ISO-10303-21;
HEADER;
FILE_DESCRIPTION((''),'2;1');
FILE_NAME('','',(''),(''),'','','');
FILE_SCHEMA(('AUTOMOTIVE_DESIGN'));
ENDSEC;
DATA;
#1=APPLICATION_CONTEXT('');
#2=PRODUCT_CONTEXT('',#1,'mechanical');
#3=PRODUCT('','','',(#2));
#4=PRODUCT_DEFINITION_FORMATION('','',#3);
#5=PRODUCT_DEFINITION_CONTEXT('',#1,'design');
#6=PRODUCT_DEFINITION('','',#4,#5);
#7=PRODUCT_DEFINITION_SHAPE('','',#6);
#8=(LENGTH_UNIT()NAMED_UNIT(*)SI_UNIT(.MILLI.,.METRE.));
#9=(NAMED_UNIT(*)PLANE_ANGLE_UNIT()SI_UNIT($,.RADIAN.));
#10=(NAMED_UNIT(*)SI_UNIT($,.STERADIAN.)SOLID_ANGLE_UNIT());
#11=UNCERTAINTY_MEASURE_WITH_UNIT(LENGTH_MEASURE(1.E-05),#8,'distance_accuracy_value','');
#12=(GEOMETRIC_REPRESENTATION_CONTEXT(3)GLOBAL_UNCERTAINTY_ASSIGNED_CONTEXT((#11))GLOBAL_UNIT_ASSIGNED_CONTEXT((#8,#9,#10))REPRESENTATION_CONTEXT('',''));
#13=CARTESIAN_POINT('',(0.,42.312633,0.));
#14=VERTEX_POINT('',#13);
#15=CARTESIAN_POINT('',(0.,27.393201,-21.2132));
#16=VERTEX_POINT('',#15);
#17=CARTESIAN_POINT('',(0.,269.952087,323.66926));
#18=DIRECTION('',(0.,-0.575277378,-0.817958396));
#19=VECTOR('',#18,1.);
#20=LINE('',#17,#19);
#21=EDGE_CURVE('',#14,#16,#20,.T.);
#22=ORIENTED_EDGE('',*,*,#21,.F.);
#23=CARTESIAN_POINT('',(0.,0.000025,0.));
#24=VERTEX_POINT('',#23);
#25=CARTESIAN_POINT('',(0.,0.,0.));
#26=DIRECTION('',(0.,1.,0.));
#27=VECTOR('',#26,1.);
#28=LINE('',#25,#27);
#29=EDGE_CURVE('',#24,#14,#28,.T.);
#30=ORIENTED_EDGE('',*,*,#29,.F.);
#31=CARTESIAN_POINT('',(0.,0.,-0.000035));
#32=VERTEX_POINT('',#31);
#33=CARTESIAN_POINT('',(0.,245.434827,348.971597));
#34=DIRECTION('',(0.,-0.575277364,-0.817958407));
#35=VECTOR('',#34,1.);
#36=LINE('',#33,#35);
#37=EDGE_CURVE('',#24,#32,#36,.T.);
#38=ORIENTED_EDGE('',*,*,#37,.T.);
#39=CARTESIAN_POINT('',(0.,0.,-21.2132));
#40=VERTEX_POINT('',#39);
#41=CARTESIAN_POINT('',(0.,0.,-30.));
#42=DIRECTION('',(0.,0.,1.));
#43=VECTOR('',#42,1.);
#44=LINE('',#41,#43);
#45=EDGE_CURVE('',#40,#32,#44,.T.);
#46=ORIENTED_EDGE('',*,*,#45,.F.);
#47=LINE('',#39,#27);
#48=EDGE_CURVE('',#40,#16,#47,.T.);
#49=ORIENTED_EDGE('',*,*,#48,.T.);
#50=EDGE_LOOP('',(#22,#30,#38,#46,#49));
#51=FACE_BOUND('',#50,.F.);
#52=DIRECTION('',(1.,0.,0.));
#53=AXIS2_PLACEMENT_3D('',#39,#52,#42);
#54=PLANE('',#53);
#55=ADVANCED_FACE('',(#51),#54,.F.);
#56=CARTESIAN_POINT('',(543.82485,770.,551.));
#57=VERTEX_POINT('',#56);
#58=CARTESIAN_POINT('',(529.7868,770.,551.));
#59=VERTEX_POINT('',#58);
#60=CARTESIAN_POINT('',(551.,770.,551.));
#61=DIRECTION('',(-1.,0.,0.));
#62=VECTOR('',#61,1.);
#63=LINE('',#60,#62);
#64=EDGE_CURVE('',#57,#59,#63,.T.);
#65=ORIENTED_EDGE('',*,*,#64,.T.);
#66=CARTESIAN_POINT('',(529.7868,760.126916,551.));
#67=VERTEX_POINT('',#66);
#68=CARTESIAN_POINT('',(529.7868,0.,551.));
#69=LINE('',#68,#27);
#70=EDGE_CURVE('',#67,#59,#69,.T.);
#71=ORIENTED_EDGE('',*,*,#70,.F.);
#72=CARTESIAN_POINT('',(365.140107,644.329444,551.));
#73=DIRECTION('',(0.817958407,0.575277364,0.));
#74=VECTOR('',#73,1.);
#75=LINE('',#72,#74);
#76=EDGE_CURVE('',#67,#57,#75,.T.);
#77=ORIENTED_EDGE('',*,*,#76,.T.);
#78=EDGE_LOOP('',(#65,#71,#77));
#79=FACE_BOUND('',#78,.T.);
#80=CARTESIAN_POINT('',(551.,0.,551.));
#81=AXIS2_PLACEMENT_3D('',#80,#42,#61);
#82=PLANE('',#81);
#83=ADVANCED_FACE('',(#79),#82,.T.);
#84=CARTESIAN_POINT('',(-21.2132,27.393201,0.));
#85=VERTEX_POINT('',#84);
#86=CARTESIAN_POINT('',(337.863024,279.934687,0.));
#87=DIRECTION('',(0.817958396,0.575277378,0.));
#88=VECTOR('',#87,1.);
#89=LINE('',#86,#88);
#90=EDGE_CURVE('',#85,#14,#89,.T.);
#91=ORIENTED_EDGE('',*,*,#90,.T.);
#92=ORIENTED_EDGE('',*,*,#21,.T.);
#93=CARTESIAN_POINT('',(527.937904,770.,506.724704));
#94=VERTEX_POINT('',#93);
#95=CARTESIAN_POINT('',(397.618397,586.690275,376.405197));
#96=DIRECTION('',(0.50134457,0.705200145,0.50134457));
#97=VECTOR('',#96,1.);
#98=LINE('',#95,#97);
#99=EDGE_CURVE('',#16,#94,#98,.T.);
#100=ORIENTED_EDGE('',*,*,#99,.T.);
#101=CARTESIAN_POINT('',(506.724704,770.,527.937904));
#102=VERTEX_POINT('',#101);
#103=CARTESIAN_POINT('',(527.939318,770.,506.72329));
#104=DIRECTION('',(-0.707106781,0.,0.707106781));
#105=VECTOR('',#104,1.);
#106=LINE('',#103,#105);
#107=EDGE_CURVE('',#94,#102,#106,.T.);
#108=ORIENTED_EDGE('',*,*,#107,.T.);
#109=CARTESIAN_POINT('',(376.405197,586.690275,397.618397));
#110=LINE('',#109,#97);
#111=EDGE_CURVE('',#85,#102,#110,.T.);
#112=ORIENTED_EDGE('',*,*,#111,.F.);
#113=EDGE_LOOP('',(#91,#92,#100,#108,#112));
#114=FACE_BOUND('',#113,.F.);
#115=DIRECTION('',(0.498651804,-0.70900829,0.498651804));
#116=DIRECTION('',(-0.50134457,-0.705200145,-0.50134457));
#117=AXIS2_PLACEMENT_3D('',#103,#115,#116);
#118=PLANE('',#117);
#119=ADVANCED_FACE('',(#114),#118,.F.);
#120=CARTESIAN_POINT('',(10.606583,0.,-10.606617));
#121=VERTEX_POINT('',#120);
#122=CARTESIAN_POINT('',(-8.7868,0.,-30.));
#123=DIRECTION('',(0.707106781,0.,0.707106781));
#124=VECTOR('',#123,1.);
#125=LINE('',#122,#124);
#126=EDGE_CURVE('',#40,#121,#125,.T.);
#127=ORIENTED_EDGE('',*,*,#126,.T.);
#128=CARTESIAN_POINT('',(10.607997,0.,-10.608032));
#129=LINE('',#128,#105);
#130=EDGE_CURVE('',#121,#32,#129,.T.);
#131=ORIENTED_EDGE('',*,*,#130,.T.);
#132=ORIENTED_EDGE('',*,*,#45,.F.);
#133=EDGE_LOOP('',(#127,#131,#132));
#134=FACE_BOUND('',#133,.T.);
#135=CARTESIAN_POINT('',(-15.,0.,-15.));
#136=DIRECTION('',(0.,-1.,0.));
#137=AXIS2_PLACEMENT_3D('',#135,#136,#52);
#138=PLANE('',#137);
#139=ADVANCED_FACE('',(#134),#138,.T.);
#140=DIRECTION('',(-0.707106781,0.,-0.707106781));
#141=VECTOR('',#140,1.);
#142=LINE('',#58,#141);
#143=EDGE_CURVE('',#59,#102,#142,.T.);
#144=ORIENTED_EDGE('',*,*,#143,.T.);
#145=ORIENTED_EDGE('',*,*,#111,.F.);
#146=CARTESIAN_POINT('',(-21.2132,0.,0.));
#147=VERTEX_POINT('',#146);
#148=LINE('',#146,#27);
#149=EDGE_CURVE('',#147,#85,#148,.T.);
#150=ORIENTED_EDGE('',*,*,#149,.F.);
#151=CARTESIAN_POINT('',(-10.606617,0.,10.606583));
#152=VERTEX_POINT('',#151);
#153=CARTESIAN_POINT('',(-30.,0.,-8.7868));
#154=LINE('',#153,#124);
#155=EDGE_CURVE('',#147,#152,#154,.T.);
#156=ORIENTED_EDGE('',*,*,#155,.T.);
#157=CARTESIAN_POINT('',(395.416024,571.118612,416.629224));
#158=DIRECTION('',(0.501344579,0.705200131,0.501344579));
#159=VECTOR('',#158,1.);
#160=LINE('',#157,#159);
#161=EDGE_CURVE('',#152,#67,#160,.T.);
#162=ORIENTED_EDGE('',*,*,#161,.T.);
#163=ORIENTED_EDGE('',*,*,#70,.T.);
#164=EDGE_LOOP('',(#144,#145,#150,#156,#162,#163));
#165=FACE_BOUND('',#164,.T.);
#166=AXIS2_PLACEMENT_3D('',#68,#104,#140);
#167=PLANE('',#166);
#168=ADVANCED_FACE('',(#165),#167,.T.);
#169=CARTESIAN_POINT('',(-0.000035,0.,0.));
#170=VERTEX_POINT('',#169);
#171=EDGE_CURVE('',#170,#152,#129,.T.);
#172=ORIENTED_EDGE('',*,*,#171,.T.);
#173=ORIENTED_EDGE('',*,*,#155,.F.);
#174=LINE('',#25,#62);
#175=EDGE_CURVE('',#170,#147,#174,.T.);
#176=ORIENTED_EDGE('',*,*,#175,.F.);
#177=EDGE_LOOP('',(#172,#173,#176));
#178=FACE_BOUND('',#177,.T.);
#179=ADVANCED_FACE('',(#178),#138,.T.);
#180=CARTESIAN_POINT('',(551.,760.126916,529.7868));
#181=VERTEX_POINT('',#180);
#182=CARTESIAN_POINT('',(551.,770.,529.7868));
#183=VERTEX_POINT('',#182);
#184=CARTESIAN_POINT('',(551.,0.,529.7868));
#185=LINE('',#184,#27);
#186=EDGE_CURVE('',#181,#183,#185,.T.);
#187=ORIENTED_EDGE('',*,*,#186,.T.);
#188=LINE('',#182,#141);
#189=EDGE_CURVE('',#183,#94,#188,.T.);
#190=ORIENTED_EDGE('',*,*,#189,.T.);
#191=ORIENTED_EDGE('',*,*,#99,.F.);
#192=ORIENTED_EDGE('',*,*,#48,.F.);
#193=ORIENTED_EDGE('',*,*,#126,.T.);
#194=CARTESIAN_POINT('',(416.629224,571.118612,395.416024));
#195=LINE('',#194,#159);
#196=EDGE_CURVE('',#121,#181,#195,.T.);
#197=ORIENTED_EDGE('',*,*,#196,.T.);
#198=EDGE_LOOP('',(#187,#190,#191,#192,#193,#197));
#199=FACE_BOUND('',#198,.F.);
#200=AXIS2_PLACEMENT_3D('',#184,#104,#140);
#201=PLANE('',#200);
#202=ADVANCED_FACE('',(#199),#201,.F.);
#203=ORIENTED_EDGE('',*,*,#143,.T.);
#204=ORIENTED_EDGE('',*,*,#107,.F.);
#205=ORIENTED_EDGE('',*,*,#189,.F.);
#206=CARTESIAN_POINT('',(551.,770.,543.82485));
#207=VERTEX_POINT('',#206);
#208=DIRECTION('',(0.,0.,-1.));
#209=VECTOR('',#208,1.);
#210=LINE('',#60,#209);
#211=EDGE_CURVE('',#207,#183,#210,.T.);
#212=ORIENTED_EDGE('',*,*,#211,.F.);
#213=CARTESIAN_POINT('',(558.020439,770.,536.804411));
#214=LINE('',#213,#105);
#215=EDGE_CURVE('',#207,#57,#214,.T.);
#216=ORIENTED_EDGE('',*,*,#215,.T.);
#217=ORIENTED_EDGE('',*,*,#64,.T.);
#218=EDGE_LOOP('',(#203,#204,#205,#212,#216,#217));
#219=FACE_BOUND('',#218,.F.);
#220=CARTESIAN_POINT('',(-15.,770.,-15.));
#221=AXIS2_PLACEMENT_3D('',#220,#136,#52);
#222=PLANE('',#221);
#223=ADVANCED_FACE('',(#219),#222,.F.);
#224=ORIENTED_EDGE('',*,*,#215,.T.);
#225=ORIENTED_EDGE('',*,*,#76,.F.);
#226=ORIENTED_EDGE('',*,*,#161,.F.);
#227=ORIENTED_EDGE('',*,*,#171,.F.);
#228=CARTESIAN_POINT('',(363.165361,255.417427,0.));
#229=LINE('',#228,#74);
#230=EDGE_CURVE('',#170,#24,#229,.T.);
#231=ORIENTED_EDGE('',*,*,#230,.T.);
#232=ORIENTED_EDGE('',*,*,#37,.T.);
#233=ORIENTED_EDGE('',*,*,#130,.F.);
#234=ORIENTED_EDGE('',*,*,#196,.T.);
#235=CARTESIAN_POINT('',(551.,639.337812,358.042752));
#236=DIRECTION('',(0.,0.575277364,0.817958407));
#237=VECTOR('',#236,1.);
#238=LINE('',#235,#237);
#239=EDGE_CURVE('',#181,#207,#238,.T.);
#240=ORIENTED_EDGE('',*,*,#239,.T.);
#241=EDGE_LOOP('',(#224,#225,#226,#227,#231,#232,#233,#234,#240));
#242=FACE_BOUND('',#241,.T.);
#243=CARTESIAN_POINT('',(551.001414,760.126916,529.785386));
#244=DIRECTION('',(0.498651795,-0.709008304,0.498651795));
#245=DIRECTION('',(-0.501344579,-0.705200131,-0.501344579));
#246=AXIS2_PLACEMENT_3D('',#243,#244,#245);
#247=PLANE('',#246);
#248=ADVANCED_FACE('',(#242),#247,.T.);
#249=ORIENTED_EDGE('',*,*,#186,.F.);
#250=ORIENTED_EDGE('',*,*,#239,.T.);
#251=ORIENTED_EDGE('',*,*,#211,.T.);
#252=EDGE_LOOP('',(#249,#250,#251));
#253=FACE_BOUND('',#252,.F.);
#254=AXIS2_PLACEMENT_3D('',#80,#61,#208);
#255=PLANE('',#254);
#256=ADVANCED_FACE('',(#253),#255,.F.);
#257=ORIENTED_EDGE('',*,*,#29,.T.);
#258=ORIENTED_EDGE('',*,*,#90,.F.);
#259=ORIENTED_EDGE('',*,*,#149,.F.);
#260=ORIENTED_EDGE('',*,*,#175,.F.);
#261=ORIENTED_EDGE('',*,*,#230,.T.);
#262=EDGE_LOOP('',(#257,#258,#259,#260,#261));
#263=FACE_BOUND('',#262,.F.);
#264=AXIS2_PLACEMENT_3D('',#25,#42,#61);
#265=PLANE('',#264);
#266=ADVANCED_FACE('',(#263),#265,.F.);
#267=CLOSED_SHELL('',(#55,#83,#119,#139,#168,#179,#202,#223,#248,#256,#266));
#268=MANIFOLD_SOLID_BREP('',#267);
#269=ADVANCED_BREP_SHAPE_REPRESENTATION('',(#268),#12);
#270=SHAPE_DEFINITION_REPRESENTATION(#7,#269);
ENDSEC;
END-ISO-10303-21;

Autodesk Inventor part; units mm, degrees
ref_plane "YZ Plane" through (0, 0, 0) normal (1, 0, 0) x (0, 1, 0)
ref_plane "XZ Plane" through (0, 0, 0) normal (0, 1, 0) x (-1, 0, 0)
ref_plane "XY Plane" through (0, 0, 0) normal (0, 0, 1) x (1, 0, 0)
ref_plane "Plano de trabajo1" through (-15, 0, -15) normal (0, -1, 0) x (1, 0, 0)
sketch "Boceto2" plane through (-15, 0, -15) normal (0, -1, 0) x (1, 0, 0)
  line L0 (566, 15) -> (1911, 15) projected
  line L1 (566, 536) -> (566, 15) projected
  line L2 (1911, 536) -> (566, 536) projected
  line L3 (1911, 15) -> (1911, 536) projected
  line L4 (536, 1414) -> (15, 1414) projected
  line L5 (536, 15) -> (536, 1414) projected
  line L6 (15, 15) -> (536, 15) projected
  line L7 (15, 1414) -> (15, 15) projected
  line L8 (-15, 1444) -> (566, 1444) projected
  line L9 (-15, -15) -> (-15, 1444) projected
  line L10 (1941, -15) -> (-15, -15) projected
  line L11 (1941, 566) -> (1941, -15) projected
  line L12 (566, 566) -> (1941, 566) projected
  line L13 (566, 1444) -> (566, 566) projected
  line L14 (566, 566) -> (566, 544.7868)
  line L15 (6.2132, -15) -> (15, -15)
  line L16 (544.7868, 566) -> (-15, 6.2132)
  line L17 (566, 544.7868) -> (6.2132, -15)
  line L18 (566, 566) -> (544.7868, 566)
  line L19 (-15, 6.2132) -> (-15, -15)
  line L20 (6.2132, -15) -> (-15, -15)
  point P0 (6.2132, -15)
  dimension "d4" = 30
  dimension "d6" = 30
extrude "Extrusión2" add sketch "Boceto2" against normal blind 770 contours L16 L18 L14 L17 L5 | L5 L17 L6 L7 L16 | L7 L6 L17 L10 L9 L16
sketch "Boceto3" plane through (-15, 0, -15) normal (0, -1, 0) x (1, 0, 0)
  line L0 (566, 544.7868) -> (566, 566) projected
  line L1 (566, 566) -> (544.7868, 566) projected
  line L2 (544.7868, 566) -> (-15, 6.2132) projected
  line L3 (-15, 6.2132) -> (-15, -15) projected
  line L4 (-15, -15) -> (6.2132, -15) projected
  line L5 (6.2132, -15) -> (566, 544.7868) projected
  line L6 (-15, -15) -> (15, -15)
  line L7 (15, -15) -> (15, 15)
  line L8 (15, 15) -> (-15, 15)
  line L9 (-15, 15) -> (-15, -15)
  point P0 (-6.2132, 15)
  point P1 (15, -6.2132)
  dimension "d9" = 30
  dimension "d10" = 30
extrude "Extrusión3" cut sketch "Boceto3" against normal blind 770 contours L5 L4 L3 L2 L8 L7
sketch "Boceto4" plane through (551, 0, 529.7868) normal (0.7071, 0, -0.7071) x (-0.7071, 0, -0.7071)
  line L0 (764.2317, 0) -> (764.2317, 770) projected
  line L1 (764.2317, 0) -> (764.2317, 770)
  line L2 (779.2317, 0) -> (764.2317, 0) projected
  line L3 (-9.9264, 770) -> (764.2317, 0)
  line L4 (13.656, 788.8569) -> (806.7728, 0)
  line L5 (779.2317, 0) -> (779.2317, 770) projected
  line L6 (0, 770) -> (779.2317, 770) projected
  line L7 (0, 0) -> (0, 770) projected
  line L8 (779.2317, 0) -> (0, 0) projected
  line L9 (0, 0) -> (-15, 0) projected
  line L10 (0, 0) -> (0, 770) projected
  line L11 (-15, 770) -> (0, 770) projected
  line L12 (-15, 0) -> (-15, 770) projected
  line L13 (779.2317, 0) -> (779.2317, 770) projected
  line L14 (0, 770) -> (779.2317, 770) projected
  line L15 (0, 0) -> (0, 770) projected
  line L16 (779.2317, 0) -> (0, 0) projected
  point P0 (32.6148, 770)
  point P1 (779.2317, 27.3932)
  point P2 (764.2317, 0)
  dimension "d13" = 30
extrude "Extrusión4" cut sketch "Boceto4" against normal blind 770 contours L8 L7 L3 | L4 L6 L0 | L0 L6 L5 L4 | L7 L9 L12 L11 L3
properties part number "Barra inversa"
